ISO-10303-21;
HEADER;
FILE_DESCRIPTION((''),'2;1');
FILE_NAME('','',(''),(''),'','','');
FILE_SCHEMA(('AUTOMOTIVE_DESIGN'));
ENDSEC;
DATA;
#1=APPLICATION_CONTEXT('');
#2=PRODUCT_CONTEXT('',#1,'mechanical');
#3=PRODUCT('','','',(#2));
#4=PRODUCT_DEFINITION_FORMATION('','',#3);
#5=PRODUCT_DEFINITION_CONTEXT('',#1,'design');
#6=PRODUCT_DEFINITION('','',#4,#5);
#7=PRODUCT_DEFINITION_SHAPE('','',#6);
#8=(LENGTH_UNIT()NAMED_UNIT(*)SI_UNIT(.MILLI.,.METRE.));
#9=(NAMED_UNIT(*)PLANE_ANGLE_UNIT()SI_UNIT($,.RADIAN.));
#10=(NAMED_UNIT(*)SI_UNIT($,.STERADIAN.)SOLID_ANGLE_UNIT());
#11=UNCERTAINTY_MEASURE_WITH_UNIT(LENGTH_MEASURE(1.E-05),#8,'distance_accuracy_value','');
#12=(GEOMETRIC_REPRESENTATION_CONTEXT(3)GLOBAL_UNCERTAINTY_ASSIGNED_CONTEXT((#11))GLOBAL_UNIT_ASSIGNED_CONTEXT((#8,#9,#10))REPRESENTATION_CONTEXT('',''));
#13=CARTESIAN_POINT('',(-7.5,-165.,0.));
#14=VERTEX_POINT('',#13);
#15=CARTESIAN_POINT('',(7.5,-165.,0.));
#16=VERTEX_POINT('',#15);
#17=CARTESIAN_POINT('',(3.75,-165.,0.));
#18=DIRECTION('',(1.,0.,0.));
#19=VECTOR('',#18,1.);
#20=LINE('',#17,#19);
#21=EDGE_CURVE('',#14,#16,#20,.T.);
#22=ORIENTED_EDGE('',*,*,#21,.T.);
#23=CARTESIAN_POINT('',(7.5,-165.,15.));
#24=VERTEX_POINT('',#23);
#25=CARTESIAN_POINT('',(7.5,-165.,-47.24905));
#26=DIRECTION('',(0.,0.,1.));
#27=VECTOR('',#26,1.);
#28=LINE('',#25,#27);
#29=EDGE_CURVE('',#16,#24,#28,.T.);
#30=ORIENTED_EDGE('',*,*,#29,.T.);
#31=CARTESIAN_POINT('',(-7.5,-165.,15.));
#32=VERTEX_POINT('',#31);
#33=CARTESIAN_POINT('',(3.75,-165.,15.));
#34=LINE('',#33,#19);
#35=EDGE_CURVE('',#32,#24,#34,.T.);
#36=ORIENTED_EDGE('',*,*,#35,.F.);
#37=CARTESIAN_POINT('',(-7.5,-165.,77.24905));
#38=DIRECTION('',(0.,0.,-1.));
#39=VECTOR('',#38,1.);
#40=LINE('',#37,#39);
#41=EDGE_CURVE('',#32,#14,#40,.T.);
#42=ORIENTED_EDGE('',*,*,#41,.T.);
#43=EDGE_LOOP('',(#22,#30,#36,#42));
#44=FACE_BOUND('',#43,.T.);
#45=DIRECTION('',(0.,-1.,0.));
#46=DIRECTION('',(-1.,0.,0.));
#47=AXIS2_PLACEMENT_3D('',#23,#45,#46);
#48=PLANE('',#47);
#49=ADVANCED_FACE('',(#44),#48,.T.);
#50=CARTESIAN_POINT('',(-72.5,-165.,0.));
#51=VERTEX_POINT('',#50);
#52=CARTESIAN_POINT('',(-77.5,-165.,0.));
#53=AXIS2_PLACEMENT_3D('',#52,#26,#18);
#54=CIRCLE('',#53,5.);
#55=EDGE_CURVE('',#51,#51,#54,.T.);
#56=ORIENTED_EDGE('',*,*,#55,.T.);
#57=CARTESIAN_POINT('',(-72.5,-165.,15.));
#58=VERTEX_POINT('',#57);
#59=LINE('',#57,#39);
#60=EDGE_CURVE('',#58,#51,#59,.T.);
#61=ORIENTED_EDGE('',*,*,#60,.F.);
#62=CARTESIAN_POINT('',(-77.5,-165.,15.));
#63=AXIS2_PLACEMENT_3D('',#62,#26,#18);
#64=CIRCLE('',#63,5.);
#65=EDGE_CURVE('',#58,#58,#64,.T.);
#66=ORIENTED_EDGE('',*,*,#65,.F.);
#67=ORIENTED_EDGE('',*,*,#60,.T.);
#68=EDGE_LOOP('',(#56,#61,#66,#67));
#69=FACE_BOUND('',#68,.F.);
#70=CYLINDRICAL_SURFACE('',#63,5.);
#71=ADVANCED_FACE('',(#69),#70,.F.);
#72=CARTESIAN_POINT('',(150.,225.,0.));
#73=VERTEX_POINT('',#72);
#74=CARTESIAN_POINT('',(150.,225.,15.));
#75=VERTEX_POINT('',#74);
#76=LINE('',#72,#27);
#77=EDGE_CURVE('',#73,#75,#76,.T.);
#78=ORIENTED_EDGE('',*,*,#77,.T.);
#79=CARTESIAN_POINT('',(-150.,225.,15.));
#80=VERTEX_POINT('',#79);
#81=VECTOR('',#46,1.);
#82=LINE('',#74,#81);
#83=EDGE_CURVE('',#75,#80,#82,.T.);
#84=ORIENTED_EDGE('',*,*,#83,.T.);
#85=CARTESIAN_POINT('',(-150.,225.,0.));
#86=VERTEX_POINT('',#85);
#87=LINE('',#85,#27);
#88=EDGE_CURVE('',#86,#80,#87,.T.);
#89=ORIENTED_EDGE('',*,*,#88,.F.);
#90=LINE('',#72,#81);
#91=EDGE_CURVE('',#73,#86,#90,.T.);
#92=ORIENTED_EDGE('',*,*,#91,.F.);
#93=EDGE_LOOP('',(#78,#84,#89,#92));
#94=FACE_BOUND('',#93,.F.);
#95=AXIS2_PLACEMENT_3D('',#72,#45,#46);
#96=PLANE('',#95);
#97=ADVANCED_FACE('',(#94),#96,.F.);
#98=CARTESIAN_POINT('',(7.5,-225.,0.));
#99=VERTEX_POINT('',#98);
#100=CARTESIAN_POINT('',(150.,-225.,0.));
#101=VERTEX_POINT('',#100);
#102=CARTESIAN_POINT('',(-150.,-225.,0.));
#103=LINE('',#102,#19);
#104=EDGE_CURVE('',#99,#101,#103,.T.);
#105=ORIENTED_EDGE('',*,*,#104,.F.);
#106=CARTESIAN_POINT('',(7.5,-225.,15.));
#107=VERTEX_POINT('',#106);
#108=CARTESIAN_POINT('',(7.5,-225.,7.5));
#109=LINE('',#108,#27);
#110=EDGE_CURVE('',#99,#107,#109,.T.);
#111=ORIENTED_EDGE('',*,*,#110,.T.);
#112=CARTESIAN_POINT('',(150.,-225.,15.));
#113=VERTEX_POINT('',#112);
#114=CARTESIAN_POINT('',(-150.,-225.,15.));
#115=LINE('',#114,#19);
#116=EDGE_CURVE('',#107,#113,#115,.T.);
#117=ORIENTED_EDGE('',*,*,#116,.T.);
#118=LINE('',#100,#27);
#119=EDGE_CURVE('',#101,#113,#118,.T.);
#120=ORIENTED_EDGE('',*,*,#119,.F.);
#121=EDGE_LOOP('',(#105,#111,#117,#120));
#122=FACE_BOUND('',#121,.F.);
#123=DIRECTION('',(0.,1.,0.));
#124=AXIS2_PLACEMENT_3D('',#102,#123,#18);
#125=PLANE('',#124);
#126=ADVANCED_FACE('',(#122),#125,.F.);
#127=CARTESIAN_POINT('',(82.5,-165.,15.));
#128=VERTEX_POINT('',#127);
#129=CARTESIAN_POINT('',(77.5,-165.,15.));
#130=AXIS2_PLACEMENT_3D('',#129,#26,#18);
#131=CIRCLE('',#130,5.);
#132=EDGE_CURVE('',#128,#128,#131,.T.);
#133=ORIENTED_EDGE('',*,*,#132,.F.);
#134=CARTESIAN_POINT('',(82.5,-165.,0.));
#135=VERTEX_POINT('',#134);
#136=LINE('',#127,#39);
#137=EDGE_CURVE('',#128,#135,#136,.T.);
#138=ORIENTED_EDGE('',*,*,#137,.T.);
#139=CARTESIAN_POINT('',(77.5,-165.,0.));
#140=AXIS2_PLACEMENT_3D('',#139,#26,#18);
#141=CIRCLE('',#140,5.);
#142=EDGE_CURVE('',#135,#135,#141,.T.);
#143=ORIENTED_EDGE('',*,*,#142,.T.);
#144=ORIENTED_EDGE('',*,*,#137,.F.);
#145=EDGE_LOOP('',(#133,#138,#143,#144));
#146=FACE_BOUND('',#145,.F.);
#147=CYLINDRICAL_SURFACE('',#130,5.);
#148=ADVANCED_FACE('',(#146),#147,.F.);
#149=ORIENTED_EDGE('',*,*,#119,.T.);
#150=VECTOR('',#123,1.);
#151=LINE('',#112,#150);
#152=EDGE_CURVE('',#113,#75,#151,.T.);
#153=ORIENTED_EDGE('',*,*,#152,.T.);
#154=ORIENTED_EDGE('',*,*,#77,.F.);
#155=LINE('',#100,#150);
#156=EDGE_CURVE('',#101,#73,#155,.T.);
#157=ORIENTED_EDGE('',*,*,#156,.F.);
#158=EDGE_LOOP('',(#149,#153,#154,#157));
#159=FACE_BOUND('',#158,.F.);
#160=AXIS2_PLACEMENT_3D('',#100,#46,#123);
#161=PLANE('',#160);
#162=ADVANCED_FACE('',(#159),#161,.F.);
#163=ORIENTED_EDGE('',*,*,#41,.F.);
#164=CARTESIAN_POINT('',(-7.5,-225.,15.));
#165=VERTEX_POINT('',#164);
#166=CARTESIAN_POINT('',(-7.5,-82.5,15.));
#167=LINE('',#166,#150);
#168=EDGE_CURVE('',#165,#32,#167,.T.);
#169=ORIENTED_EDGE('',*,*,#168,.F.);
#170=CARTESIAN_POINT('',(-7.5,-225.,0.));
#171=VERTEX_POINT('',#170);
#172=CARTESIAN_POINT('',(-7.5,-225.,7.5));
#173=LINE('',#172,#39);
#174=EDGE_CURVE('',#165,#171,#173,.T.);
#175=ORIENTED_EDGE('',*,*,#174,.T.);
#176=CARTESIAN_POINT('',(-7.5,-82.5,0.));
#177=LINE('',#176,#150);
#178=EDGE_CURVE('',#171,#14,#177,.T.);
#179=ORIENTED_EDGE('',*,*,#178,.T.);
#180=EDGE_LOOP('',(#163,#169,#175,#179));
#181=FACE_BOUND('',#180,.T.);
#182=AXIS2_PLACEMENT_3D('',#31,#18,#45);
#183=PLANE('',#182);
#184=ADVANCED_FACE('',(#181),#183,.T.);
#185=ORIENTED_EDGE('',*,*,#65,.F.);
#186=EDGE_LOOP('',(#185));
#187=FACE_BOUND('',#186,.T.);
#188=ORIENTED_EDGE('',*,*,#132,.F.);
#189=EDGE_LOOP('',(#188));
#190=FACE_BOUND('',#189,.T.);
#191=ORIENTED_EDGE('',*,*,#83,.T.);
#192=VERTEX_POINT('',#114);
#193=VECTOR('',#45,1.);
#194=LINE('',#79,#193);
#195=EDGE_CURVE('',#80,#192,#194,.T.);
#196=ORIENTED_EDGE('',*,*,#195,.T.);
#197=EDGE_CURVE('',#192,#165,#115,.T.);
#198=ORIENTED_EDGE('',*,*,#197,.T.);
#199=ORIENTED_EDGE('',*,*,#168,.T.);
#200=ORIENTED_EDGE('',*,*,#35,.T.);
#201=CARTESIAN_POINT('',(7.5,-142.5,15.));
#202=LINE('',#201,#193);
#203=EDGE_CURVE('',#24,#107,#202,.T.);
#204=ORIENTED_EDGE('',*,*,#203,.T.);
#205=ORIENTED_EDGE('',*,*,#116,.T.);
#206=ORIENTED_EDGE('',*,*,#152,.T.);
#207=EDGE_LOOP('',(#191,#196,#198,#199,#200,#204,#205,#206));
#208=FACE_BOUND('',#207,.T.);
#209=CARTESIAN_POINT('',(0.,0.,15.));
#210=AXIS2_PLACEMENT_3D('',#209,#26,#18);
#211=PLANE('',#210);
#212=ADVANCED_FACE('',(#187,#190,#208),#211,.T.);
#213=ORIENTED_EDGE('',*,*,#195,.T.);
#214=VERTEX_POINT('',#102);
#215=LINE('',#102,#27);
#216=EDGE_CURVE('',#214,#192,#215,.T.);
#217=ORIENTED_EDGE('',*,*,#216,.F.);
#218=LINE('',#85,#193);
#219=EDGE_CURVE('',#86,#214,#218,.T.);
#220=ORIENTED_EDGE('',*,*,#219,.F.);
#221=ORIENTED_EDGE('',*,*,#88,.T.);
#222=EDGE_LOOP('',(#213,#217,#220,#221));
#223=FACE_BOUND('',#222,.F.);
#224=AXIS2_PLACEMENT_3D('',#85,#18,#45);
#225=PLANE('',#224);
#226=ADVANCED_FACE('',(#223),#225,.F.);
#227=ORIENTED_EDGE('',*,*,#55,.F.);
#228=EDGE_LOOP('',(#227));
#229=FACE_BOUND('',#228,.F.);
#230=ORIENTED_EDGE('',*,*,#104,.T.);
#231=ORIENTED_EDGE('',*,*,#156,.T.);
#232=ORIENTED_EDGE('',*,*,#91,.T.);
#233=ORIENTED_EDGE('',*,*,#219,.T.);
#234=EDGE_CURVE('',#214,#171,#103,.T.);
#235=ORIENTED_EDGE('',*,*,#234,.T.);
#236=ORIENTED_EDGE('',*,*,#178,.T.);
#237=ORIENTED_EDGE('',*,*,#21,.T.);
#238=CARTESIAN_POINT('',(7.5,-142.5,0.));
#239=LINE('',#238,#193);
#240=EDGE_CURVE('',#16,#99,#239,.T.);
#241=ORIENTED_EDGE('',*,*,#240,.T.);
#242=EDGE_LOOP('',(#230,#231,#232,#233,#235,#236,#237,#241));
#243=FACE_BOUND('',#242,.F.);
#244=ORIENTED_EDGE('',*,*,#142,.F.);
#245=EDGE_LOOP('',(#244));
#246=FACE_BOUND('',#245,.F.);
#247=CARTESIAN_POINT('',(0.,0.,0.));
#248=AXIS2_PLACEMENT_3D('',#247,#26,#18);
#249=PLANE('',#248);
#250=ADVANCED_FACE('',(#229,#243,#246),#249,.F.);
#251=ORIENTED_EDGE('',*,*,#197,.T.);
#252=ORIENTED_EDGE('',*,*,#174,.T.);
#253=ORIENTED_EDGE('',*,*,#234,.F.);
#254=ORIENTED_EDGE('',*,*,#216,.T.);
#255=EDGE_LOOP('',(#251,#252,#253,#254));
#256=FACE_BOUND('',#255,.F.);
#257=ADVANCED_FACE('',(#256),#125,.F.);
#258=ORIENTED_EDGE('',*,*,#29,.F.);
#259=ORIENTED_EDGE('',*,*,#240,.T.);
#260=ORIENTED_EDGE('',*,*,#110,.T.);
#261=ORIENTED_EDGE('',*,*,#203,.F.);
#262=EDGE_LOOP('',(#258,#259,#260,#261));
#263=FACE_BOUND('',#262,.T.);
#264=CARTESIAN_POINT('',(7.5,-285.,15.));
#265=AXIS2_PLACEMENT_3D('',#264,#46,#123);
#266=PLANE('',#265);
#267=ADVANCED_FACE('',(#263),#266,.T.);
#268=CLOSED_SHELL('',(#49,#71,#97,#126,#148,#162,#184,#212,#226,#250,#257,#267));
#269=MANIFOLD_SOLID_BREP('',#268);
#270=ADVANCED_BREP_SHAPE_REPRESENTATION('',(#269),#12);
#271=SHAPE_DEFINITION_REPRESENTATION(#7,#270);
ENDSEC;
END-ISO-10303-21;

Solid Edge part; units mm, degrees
sketch "Sketch1" plane through (0, 0, 0) normal (0, 0, 1) x (1, 0, 0)
  line L0 (-150, -225) -> (150, -225)
  line L1 (150, -225) -> (150, 225)
  line L2 (150, 225) -> (-150, 225)
  line L3 (-150, 225) -> (-150, -225)
extrude "Protrusion1" add sketch "Sketch1" along normal blind 15
sketch "Sketch2" plane through (0, 0, 15) normal (0, 0, 1) x (1, 0, 0)
  line L0 (-7.5, -285) -> (7.5, -285)
  line L1 (7.5, -285) -> (7.5, -165)
  line L2 (7.5, -165) -> (-7.5, -165)
  line L3 (-7.5, -165) -> (-7.5, -285)
extrude "ExtrudedCutout_1" cut sketch "Sketch2" along normal mid plane 124.4981
sketch "Sketch3" plane through (0, 0, 15) normal (0, 0, 1) x (1, 0, 0)
  circle A0 centre (77.5, -165) radius 5
  circle A1 centre (-77.5, -165) radius 5
  dimension "D1" = 70
  dimension "D2" = 70
extrude "ExtrudedCutout_2" cut sketch "Sketch3" along normal mid plane 524.4577
